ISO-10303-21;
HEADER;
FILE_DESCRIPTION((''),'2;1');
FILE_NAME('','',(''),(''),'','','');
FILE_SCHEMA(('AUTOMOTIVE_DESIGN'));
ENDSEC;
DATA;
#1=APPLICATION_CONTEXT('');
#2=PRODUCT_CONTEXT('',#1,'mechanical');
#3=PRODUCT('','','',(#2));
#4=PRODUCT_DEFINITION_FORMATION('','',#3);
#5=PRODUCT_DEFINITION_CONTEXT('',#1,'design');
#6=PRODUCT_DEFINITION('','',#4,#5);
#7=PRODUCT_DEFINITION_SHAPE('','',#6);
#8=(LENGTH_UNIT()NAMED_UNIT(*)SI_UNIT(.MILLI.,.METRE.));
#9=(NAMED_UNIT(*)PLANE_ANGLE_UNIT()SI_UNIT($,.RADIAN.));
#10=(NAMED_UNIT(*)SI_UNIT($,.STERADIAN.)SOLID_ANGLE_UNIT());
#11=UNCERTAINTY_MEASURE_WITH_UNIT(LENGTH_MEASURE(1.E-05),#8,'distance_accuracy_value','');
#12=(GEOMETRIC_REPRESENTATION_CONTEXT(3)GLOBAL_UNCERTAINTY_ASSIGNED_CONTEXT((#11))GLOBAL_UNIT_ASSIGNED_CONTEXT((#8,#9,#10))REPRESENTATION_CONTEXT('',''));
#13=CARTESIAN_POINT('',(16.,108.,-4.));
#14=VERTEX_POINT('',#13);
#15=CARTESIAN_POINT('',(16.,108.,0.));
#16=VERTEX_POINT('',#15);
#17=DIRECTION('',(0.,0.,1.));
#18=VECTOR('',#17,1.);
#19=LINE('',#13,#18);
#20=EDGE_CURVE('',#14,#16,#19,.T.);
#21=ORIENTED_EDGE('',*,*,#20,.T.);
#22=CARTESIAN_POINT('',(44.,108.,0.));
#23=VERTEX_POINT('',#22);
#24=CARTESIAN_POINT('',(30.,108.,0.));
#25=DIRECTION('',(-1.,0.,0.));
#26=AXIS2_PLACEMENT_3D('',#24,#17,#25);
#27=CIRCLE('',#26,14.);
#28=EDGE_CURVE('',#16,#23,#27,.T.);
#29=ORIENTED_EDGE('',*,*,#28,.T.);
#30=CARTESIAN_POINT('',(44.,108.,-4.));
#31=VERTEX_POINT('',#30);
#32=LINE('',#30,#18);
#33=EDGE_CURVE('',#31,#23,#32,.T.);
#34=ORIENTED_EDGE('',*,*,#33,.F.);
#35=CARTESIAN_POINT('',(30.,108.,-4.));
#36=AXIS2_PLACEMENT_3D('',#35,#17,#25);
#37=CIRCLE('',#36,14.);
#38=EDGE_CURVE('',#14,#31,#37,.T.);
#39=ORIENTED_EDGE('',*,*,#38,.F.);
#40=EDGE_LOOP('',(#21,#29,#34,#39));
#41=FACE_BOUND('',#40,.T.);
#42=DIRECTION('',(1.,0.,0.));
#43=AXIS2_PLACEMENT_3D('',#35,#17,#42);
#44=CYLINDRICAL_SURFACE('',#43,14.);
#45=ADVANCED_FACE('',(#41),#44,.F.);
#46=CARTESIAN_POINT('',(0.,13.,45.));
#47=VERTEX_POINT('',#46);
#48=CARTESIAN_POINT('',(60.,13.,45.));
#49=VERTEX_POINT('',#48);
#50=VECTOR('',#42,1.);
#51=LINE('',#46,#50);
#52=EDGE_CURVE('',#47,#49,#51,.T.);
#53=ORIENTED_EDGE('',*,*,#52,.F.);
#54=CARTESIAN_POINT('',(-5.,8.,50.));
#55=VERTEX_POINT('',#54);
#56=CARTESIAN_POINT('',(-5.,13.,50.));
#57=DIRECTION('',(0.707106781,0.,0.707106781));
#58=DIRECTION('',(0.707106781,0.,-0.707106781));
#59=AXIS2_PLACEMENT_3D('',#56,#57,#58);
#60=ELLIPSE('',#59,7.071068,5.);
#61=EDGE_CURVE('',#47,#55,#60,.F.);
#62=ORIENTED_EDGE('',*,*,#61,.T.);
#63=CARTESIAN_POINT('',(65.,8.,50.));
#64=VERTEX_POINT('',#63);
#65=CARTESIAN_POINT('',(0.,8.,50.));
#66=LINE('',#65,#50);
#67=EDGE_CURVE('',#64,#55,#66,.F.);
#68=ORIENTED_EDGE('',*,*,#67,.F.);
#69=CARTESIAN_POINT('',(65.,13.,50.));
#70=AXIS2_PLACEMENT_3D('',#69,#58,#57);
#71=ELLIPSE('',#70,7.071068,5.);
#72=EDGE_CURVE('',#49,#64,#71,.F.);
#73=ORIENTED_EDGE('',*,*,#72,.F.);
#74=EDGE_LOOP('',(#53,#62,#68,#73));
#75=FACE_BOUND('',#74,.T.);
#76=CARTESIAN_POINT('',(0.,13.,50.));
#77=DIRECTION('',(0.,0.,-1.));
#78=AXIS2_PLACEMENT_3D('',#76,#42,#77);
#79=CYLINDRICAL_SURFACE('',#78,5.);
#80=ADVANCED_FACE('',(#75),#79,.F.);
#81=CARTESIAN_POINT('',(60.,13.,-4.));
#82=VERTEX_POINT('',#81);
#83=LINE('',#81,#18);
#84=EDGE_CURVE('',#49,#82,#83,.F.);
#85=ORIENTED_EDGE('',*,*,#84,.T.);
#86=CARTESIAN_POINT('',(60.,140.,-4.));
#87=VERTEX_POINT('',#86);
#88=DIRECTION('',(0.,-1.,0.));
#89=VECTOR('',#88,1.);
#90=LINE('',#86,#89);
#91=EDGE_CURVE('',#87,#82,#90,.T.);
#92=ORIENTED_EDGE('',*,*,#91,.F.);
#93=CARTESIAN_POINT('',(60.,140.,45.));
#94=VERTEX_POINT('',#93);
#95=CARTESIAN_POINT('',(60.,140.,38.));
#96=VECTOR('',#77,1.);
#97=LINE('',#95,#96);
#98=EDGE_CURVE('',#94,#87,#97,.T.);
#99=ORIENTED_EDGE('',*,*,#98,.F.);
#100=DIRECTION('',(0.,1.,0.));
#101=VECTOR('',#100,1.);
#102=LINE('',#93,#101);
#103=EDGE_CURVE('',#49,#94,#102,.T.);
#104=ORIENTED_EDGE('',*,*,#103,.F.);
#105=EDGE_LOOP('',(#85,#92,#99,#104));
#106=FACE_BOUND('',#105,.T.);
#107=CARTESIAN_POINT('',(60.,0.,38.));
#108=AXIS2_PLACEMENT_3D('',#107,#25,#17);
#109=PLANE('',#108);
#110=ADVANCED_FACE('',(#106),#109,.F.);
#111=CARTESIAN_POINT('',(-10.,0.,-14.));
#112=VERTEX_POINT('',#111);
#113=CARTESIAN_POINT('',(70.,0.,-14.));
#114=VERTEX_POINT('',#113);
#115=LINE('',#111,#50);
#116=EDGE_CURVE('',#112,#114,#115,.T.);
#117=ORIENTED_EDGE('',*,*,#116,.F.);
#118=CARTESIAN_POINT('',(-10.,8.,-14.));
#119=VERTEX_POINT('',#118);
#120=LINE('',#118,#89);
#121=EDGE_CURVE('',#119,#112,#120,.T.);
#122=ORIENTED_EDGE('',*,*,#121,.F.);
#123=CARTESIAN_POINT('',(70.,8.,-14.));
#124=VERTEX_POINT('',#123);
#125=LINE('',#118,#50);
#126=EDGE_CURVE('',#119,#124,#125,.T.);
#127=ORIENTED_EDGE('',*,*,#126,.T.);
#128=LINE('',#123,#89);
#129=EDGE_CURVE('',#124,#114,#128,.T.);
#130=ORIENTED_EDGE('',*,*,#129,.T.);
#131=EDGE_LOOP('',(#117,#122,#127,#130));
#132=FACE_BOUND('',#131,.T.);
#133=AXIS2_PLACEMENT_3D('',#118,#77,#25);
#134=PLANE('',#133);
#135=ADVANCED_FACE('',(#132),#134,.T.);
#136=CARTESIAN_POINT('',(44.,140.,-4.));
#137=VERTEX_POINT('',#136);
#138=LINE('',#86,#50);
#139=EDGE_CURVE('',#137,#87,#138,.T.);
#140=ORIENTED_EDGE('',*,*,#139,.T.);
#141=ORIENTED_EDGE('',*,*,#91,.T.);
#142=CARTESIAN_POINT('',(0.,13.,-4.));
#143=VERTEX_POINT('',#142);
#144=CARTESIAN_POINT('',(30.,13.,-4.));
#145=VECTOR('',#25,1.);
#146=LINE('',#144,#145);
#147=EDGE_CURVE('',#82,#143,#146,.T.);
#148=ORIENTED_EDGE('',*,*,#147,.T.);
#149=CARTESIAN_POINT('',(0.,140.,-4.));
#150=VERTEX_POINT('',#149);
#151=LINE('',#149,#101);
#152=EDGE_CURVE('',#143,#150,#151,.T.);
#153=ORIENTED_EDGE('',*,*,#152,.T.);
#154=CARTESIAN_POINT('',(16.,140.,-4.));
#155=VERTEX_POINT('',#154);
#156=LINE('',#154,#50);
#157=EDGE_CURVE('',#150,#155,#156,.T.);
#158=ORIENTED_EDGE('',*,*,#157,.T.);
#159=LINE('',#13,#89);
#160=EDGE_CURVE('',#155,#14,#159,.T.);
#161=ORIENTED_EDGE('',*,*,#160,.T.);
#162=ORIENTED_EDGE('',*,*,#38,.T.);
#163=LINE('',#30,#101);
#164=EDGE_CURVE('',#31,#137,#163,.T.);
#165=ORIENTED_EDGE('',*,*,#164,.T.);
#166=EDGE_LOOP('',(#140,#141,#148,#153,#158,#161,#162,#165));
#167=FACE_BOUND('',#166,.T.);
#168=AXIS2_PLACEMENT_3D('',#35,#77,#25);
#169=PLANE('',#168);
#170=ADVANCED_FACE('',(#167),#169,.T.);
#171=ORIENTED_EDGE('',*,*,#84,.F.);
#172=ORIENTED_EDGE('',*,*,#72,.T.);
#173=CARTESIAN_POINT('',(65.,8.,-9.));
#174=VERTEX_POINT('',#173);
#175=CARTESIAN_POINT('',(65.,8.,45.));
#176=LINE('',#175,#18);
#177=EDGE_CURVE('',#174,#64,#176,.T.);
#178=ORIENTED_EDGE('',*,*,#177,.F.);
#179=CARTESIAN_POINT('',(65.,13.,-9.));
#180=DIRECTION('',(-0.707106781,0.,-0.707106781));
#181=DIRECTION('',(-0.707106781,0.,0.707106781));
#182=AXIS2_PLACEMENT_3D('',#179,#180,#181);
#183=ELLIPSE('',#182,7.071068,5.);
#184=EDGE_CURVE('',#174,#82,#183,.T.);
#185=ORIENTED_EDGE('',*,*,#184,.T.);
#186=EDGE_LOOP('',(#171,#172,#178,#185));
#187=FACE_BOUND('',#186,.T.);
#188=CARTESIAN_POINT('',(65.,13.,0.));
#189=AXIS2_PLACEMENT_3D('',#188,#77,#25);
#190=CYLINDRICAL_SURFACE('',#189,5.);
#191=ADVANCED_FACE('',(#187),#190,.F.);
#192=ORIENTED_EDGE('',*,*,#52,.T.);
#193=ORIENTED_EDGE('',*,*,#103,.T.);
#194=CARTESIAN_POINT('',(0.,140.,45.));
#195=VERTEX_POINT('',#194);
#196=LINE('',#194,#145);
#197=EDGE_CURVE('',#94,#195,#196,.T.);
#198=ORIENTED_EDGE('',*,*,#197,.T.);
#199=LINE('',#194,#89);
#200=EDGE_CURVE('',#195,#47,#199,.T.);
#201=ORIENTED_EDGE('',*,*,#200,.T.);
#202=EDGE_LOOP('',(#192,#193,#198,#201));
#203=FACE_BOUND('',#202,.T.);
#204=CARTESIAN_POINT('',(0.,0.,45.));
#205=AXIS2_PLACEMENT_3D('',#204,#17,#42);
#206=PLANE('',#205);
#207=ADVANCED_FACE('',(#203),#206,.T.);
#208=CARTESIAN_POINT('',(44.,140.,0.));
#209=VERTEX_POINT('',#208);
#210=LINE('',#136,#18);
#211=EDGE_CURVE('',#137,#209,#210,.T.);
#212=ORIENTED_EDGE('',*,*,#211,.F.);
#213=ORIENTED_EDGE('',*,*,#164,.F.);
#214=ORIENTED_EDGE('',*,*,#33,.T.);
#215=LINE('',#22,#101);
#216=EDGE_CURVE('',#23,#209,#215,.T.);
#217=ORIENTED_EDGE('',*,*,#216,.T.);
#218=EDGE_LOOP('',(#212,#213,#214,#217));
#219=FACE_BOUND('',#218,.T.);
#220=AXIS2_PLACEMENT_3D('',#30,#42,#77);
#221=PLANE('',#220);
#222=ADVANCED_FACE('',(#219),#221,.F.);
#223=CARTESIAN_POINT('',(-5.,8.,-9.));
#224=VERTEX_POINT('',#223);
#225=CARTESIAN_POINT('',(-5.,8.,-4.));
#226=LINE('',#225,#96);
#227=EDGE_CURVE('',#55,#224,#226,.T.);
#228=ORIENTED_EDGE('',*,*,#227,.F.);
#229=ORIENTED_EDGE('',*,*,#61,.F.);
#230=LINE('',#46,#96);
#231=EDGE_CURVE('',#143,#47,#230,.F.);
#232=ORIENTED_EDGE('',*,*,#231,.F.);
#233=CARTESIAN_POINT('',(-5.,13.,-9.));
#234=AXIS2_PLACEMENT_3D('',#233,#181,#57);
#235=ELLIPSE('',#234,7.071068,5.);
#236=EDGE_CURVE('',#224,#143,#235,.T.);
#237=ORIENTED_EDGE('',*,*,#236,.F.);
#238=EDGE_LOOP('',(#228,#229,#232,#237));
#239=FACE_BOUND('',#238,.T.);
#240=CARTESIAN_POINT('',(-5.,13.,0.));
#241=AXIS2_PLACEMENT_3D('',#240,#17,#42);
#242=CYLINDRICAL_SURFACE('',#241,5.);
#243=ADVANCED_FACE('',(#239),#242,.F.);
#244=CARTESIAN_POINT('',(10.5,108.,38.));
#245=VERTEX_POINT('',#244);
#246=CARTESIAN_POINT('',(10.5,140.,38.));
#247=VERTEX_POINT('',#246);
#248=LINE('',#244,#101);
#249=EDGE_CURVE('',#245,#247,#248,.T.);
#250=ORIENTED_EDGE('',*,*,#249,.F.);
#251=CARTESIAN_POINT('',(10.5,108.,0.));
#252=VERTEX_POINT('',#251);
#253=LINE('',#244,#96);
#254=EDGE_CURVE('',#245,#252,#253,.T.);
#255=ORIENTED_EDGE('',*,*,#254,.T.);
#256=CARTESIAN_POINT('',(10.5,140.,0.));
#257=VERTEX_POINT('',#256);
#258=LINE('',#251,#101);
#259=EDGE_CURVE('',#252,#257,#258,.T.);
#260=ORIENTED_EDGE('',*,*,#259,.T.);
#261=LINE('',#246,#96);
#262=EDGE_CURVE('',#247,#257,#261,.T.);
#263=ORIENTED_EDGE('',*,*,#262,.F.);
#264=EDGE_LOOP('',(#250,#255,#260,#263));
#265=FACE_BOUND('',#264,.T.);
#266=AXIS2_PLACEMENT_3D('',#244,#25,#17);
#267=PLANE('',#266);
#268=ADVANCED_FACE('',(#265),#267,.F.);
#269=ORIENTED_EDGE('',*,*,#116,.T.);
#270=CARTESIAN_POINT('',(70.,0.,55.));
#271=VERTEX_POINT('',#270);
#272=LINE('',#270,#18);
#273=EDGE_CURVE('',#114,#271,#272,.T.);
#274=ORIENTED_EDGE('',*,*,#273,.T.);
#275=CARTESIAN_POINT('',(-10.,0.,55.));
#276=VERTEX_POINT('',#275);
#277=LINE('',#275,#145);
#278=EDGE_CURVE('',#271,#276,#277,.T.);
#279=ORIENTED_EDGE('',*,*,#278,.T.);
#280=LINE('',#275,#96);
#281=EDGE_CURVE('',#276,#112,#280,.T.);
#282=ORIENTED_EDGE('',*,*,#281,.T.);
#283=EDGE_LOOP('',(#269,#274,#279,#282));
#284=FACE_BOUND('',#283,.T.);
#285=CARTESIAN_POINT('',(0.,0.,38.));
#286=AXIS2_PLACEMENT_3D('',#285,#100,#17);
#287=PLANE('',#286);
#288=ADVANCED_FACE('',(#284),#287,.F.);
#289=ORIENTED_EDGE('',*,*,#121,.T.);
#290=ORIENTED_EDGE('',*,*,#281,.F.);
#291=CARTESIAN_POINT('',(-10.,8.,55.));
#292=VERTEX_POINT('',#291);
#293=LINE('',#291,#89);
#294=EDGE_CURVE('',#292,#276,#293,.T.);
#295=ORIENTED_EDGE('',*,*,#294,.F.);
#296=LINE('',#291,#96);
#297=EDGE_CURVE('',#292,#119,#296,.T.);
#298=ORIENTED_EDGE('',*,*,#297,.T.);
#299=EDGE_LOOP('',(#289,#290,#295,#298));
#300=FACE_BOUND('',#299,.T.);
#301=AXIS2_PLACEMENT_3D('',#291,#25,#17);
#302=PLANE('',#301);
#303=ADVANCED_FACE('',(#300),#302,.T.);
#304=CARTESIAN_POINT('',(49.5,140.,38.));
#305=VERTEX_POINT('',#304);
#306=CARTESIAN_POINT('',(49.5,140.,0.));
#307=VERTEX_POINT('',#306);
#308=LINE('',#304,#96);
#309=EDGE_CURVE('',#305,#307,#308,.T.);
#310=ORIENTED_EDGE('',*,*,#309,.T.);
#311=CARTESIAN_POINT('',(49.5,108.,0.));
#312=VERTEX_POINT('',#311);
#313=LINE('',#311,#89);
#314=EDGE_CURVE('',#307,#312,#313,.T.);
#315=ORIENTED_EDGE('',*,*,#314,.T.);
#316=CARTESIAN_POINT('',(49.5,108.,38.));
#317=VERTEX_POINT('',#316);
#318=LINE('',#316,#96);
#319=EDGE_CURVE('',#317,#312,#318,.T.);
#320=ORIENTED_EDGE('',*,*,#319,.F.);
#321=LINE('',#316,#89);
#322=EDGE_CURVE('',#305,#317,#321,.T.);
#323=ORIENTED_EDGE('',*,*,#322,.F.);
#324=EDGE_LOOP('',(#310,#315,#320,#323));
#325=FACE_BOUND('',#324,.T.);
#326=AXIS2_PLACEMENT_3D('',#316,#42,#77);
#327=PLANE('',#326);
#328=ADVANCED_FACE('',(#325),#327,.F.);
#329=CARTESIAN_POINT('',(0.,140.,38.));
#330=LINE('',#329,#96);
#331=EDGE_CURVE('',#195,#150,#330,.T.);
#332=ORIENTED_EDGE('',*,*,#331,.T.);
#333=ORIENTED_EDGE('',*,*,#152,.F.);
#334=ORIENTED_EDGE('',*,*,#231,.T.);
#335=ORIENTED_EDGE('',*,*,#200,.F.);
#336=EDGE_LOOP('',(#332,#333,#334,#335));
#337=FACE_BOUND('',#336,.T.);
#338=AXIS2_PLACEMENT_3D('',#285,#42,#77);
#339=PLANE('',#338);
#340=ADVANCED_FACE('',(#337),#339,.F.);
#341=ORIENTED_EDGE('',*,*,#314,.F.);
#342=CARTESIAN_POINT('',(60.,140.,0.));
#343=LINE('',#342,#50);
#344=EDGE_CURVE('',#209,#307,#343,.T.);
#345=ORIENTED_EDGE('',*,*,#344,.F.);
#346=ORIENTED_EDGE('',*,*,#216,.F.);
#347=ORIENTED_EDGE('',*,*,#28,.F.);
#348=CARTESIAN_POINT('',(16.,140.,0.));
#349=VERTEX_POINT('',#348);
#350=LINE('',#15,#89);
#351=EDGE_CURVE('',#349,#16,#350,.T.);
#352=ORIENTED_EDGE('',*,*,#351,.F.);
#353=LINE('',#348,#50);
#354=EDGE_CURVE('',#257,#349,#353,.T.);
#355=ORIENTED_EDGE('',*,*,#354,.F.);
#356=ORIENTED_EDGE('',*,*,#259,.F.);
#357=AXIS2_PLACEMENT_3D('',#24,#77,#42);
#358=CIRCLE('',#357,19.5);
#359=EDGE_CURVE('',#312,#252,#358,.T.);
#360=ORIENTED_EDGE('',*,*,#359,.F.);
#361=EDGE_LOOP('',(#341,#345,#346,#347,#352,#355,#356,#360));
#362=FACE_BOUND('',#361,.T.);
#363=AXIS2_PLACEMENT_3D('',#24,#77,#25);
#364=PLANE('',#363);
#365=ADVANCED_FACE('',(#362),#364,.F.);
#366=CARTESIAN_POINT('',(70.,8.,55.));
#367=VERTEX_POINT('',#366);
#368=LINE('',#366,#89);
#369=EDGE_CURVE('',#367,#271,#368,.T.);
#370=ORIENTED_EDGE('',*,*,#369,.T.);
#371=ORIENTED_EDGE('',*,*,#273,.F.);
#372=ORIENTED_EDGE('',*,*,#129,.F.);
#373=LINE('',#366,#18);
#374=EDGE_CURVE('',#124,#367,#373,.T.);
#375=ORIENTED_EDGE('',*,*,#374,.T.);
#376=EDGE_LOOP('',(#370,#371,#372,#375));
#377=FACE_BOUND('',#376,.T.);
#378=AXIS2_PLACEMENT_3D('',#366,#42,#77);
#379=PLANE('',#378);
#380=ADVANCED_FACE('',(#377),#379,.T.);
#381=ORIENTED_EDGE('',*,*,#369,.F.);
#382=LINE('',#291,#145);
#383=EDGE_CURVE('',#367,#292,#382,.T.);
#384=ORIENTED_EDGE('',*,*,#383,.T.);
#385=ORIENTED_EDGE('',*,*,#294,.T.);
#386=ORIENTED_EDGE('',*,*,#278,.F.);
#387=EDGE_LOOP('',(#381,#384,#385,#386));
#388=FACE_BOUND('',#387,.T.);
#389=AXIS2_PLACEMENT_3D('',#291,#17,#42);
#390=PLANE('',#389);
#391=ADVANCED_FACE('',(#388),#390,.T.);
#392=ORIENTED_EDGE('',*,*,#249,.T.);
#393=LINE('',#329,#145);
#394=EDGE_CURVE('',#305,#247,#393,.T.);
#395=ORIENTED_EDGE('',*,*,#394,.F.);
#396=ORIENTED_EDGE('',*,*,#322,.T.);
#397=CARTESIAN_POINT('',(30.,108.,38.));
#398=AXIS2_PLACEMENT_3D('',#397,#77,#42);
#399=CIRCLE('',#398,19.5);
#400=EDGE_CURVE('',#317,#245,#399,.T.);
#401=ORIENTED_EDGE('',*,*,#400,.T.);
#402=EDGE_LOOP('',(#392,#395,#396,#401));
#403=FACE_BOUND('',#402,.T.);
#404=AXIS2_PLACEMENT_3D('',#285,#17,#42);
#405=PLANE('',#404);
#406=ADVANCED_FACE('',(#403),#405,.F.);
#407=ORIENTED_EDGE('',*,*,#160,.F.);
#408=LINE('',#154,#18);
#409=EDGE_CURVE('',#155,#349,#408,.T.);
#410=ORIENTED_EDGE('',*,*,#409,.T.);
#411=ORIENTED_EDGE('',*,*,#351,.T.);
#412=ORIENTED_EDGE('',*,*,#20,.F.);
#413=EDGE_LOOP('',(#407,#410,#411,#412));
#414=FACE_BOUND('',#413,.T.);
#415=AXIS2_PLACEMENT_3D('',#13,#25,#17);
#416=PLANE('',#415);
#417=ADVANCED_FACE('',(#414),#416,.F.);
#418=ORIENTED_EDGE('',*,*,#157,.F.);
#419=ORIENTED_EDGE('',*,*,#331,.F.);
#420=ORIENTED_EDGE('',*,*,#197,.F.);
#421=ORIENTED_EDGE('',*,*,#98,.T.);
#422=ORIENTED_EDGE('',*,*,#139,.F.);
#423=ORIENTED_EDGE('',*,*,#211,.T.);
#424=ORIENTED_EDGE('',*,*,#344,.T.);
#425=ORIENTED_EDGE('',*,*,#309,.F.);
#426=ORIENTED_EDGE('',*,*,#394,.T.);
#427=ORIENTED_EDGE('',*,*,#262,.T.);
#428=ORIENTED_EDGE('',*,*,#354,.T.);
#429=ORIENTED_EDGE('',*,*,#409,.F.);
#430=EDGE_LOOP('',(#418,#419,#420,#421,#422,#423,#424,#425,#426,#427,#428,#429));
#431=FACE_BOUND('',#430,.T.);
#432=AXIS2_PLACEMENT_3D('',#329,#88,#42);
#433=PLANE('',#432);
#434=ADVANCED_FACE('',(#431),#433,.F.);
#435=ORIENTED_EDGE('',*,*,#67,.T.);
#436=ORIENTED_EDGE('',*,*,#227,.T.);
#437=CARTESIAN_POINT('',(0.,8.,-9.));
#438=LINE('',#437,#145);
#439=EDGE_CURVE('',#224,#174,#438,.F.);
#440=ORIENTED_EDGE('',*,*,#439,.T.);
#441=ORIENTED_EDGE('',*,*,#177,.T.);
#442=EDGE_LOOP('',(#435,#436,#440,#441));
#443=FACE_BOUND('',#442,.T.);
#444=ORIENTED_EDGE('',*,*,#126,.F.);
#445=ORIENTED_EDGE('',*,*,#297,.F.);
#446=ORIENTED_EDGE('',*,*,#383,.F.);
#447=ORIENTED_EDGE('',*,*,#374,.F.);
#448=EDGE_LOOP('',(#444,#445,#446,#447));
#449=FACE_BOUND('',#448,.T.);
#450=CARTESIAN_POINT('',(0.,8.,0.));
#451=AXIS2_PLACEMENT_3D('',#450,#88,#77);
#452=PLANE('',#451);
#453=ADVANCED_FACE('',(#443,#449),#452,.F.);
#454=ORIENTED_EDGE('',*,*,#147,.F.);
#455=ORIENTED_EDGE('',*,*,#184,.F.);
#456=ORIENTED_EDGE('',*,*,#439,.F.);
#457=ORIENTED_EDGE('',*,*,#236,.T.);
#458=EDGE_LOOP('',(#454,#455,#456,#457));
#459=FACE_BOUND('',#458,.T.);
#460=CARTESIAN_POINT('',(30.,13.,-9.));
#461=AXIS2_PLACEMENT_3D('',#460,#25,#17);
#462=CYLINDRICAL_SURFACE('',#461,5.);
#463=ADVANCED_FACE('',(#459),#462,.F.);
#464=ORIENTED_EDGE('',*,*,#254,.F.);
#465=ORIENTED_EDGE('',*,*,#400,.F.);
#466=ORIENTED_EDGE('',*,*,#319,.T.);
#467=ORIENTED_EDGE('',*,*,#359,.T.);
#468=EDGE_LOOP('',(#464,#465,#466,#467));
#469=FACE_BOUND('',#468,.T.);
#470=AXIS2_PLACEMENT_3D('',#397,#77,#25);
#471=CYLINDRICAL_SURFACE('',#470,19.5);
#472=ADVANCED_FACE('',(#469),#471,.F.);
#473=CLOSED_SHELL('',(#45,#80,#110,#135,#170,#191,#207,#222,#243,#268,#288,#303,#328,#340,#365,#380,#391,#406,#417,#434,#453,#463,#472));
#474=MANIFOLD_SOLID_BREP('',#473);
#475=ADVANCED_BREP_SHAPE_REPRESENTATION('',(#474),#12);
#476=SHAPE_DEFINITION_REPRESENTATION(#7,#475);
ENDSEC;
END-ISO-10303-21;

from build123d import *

# Parameters (mm, degrees)
BOSS_EXTRUDE1_DEPTH = 38
SKETCH3_W           = 60
SKETCH3_H           = 140
BOSS_EXTRUDE2_DEPTH = 7
BOSS_EXTRUDE3_DEPTH = 4
SKETCH5_W           = 80
SKETCH5_H           = 69
BOSS_EXTRUDE4_DEPTH = 8
FILLET1_R           = 5


with BuildPart() as part:
    # Sketch2 → Boss-Extrude1 (new body)
    with BuildSketch(Plane.XY):
        with BuildLine():
            Line((10.5, 108), (10.5, 140))
            Line((10.5, 140), (0, 140))
            Line((0, 140), (0, 0))
            Line((0, 0), (60, 0))
            Line((60, 0), (60, 140))
            Line((60, 140), (49.5, 140))
            Line((49.5, 140), (49.5, 108))
            ThreePointArc((49.5, 108), (30, 88.5), (10.5, 108))
        make_face()
    extrude(amount=BOSS_EXTRUDE1_DEPTH)

    # Sketch3 → Boss-Extrude2 (add)
    with BuildSketch(Plane.XY.offset(38)):
        with Locations((30, 70)):
            Rectangle(SKETCH3_W, SKETCH3_H)
    extrude(amount=BOSS_EXTRUDE2_DEPTH)

    # Sketch4 → Boss-Extrude3 (add)
    with BuildSketch(Plane(origin=(0, 0, 0), x_dir=(-1, 0, 0), z_dir=(0, 0, -1))):
        with BuildLine():
            Line((-44, 108), (-44, 140))
            Line((-44, 140), (-60, 140))
            Line((-60, 140), (-60, 0))
            Line((-60, 0), (0, 0))
            Line((0, 0), (0, 140))
            Line((0, 140), (-16, 140))
            Line((-16, 140), (-16, 108))
            ThreePointArc((-16, 108), (-30, 94), (-44, 108))
        make_face()
    extrude(amount=BOSS_EXTRUDE3_DEPTH)

    # Sketch5 → Boss-Extrude4 (add)
    with BuildSketch(Plane.XZ):
        with Locations((30, 20.5)):
            Rectangle(SKETCH5_W, SKETCH5_H)
    extrude(amount=-BOSS_EXTRUDE4_DEPTH)

    # Fillet1
    fillet1_edges = [part.edges().sort_by_distance(p)[0] for p in [
        (30, 8, -4),
        (30, 8, 45),
        (0, 8, 20.5),
        (60, 8, 20.5),
    ]]
    fillet(fillet1_edges, radius=FILLET1_R)


solid = part.part
